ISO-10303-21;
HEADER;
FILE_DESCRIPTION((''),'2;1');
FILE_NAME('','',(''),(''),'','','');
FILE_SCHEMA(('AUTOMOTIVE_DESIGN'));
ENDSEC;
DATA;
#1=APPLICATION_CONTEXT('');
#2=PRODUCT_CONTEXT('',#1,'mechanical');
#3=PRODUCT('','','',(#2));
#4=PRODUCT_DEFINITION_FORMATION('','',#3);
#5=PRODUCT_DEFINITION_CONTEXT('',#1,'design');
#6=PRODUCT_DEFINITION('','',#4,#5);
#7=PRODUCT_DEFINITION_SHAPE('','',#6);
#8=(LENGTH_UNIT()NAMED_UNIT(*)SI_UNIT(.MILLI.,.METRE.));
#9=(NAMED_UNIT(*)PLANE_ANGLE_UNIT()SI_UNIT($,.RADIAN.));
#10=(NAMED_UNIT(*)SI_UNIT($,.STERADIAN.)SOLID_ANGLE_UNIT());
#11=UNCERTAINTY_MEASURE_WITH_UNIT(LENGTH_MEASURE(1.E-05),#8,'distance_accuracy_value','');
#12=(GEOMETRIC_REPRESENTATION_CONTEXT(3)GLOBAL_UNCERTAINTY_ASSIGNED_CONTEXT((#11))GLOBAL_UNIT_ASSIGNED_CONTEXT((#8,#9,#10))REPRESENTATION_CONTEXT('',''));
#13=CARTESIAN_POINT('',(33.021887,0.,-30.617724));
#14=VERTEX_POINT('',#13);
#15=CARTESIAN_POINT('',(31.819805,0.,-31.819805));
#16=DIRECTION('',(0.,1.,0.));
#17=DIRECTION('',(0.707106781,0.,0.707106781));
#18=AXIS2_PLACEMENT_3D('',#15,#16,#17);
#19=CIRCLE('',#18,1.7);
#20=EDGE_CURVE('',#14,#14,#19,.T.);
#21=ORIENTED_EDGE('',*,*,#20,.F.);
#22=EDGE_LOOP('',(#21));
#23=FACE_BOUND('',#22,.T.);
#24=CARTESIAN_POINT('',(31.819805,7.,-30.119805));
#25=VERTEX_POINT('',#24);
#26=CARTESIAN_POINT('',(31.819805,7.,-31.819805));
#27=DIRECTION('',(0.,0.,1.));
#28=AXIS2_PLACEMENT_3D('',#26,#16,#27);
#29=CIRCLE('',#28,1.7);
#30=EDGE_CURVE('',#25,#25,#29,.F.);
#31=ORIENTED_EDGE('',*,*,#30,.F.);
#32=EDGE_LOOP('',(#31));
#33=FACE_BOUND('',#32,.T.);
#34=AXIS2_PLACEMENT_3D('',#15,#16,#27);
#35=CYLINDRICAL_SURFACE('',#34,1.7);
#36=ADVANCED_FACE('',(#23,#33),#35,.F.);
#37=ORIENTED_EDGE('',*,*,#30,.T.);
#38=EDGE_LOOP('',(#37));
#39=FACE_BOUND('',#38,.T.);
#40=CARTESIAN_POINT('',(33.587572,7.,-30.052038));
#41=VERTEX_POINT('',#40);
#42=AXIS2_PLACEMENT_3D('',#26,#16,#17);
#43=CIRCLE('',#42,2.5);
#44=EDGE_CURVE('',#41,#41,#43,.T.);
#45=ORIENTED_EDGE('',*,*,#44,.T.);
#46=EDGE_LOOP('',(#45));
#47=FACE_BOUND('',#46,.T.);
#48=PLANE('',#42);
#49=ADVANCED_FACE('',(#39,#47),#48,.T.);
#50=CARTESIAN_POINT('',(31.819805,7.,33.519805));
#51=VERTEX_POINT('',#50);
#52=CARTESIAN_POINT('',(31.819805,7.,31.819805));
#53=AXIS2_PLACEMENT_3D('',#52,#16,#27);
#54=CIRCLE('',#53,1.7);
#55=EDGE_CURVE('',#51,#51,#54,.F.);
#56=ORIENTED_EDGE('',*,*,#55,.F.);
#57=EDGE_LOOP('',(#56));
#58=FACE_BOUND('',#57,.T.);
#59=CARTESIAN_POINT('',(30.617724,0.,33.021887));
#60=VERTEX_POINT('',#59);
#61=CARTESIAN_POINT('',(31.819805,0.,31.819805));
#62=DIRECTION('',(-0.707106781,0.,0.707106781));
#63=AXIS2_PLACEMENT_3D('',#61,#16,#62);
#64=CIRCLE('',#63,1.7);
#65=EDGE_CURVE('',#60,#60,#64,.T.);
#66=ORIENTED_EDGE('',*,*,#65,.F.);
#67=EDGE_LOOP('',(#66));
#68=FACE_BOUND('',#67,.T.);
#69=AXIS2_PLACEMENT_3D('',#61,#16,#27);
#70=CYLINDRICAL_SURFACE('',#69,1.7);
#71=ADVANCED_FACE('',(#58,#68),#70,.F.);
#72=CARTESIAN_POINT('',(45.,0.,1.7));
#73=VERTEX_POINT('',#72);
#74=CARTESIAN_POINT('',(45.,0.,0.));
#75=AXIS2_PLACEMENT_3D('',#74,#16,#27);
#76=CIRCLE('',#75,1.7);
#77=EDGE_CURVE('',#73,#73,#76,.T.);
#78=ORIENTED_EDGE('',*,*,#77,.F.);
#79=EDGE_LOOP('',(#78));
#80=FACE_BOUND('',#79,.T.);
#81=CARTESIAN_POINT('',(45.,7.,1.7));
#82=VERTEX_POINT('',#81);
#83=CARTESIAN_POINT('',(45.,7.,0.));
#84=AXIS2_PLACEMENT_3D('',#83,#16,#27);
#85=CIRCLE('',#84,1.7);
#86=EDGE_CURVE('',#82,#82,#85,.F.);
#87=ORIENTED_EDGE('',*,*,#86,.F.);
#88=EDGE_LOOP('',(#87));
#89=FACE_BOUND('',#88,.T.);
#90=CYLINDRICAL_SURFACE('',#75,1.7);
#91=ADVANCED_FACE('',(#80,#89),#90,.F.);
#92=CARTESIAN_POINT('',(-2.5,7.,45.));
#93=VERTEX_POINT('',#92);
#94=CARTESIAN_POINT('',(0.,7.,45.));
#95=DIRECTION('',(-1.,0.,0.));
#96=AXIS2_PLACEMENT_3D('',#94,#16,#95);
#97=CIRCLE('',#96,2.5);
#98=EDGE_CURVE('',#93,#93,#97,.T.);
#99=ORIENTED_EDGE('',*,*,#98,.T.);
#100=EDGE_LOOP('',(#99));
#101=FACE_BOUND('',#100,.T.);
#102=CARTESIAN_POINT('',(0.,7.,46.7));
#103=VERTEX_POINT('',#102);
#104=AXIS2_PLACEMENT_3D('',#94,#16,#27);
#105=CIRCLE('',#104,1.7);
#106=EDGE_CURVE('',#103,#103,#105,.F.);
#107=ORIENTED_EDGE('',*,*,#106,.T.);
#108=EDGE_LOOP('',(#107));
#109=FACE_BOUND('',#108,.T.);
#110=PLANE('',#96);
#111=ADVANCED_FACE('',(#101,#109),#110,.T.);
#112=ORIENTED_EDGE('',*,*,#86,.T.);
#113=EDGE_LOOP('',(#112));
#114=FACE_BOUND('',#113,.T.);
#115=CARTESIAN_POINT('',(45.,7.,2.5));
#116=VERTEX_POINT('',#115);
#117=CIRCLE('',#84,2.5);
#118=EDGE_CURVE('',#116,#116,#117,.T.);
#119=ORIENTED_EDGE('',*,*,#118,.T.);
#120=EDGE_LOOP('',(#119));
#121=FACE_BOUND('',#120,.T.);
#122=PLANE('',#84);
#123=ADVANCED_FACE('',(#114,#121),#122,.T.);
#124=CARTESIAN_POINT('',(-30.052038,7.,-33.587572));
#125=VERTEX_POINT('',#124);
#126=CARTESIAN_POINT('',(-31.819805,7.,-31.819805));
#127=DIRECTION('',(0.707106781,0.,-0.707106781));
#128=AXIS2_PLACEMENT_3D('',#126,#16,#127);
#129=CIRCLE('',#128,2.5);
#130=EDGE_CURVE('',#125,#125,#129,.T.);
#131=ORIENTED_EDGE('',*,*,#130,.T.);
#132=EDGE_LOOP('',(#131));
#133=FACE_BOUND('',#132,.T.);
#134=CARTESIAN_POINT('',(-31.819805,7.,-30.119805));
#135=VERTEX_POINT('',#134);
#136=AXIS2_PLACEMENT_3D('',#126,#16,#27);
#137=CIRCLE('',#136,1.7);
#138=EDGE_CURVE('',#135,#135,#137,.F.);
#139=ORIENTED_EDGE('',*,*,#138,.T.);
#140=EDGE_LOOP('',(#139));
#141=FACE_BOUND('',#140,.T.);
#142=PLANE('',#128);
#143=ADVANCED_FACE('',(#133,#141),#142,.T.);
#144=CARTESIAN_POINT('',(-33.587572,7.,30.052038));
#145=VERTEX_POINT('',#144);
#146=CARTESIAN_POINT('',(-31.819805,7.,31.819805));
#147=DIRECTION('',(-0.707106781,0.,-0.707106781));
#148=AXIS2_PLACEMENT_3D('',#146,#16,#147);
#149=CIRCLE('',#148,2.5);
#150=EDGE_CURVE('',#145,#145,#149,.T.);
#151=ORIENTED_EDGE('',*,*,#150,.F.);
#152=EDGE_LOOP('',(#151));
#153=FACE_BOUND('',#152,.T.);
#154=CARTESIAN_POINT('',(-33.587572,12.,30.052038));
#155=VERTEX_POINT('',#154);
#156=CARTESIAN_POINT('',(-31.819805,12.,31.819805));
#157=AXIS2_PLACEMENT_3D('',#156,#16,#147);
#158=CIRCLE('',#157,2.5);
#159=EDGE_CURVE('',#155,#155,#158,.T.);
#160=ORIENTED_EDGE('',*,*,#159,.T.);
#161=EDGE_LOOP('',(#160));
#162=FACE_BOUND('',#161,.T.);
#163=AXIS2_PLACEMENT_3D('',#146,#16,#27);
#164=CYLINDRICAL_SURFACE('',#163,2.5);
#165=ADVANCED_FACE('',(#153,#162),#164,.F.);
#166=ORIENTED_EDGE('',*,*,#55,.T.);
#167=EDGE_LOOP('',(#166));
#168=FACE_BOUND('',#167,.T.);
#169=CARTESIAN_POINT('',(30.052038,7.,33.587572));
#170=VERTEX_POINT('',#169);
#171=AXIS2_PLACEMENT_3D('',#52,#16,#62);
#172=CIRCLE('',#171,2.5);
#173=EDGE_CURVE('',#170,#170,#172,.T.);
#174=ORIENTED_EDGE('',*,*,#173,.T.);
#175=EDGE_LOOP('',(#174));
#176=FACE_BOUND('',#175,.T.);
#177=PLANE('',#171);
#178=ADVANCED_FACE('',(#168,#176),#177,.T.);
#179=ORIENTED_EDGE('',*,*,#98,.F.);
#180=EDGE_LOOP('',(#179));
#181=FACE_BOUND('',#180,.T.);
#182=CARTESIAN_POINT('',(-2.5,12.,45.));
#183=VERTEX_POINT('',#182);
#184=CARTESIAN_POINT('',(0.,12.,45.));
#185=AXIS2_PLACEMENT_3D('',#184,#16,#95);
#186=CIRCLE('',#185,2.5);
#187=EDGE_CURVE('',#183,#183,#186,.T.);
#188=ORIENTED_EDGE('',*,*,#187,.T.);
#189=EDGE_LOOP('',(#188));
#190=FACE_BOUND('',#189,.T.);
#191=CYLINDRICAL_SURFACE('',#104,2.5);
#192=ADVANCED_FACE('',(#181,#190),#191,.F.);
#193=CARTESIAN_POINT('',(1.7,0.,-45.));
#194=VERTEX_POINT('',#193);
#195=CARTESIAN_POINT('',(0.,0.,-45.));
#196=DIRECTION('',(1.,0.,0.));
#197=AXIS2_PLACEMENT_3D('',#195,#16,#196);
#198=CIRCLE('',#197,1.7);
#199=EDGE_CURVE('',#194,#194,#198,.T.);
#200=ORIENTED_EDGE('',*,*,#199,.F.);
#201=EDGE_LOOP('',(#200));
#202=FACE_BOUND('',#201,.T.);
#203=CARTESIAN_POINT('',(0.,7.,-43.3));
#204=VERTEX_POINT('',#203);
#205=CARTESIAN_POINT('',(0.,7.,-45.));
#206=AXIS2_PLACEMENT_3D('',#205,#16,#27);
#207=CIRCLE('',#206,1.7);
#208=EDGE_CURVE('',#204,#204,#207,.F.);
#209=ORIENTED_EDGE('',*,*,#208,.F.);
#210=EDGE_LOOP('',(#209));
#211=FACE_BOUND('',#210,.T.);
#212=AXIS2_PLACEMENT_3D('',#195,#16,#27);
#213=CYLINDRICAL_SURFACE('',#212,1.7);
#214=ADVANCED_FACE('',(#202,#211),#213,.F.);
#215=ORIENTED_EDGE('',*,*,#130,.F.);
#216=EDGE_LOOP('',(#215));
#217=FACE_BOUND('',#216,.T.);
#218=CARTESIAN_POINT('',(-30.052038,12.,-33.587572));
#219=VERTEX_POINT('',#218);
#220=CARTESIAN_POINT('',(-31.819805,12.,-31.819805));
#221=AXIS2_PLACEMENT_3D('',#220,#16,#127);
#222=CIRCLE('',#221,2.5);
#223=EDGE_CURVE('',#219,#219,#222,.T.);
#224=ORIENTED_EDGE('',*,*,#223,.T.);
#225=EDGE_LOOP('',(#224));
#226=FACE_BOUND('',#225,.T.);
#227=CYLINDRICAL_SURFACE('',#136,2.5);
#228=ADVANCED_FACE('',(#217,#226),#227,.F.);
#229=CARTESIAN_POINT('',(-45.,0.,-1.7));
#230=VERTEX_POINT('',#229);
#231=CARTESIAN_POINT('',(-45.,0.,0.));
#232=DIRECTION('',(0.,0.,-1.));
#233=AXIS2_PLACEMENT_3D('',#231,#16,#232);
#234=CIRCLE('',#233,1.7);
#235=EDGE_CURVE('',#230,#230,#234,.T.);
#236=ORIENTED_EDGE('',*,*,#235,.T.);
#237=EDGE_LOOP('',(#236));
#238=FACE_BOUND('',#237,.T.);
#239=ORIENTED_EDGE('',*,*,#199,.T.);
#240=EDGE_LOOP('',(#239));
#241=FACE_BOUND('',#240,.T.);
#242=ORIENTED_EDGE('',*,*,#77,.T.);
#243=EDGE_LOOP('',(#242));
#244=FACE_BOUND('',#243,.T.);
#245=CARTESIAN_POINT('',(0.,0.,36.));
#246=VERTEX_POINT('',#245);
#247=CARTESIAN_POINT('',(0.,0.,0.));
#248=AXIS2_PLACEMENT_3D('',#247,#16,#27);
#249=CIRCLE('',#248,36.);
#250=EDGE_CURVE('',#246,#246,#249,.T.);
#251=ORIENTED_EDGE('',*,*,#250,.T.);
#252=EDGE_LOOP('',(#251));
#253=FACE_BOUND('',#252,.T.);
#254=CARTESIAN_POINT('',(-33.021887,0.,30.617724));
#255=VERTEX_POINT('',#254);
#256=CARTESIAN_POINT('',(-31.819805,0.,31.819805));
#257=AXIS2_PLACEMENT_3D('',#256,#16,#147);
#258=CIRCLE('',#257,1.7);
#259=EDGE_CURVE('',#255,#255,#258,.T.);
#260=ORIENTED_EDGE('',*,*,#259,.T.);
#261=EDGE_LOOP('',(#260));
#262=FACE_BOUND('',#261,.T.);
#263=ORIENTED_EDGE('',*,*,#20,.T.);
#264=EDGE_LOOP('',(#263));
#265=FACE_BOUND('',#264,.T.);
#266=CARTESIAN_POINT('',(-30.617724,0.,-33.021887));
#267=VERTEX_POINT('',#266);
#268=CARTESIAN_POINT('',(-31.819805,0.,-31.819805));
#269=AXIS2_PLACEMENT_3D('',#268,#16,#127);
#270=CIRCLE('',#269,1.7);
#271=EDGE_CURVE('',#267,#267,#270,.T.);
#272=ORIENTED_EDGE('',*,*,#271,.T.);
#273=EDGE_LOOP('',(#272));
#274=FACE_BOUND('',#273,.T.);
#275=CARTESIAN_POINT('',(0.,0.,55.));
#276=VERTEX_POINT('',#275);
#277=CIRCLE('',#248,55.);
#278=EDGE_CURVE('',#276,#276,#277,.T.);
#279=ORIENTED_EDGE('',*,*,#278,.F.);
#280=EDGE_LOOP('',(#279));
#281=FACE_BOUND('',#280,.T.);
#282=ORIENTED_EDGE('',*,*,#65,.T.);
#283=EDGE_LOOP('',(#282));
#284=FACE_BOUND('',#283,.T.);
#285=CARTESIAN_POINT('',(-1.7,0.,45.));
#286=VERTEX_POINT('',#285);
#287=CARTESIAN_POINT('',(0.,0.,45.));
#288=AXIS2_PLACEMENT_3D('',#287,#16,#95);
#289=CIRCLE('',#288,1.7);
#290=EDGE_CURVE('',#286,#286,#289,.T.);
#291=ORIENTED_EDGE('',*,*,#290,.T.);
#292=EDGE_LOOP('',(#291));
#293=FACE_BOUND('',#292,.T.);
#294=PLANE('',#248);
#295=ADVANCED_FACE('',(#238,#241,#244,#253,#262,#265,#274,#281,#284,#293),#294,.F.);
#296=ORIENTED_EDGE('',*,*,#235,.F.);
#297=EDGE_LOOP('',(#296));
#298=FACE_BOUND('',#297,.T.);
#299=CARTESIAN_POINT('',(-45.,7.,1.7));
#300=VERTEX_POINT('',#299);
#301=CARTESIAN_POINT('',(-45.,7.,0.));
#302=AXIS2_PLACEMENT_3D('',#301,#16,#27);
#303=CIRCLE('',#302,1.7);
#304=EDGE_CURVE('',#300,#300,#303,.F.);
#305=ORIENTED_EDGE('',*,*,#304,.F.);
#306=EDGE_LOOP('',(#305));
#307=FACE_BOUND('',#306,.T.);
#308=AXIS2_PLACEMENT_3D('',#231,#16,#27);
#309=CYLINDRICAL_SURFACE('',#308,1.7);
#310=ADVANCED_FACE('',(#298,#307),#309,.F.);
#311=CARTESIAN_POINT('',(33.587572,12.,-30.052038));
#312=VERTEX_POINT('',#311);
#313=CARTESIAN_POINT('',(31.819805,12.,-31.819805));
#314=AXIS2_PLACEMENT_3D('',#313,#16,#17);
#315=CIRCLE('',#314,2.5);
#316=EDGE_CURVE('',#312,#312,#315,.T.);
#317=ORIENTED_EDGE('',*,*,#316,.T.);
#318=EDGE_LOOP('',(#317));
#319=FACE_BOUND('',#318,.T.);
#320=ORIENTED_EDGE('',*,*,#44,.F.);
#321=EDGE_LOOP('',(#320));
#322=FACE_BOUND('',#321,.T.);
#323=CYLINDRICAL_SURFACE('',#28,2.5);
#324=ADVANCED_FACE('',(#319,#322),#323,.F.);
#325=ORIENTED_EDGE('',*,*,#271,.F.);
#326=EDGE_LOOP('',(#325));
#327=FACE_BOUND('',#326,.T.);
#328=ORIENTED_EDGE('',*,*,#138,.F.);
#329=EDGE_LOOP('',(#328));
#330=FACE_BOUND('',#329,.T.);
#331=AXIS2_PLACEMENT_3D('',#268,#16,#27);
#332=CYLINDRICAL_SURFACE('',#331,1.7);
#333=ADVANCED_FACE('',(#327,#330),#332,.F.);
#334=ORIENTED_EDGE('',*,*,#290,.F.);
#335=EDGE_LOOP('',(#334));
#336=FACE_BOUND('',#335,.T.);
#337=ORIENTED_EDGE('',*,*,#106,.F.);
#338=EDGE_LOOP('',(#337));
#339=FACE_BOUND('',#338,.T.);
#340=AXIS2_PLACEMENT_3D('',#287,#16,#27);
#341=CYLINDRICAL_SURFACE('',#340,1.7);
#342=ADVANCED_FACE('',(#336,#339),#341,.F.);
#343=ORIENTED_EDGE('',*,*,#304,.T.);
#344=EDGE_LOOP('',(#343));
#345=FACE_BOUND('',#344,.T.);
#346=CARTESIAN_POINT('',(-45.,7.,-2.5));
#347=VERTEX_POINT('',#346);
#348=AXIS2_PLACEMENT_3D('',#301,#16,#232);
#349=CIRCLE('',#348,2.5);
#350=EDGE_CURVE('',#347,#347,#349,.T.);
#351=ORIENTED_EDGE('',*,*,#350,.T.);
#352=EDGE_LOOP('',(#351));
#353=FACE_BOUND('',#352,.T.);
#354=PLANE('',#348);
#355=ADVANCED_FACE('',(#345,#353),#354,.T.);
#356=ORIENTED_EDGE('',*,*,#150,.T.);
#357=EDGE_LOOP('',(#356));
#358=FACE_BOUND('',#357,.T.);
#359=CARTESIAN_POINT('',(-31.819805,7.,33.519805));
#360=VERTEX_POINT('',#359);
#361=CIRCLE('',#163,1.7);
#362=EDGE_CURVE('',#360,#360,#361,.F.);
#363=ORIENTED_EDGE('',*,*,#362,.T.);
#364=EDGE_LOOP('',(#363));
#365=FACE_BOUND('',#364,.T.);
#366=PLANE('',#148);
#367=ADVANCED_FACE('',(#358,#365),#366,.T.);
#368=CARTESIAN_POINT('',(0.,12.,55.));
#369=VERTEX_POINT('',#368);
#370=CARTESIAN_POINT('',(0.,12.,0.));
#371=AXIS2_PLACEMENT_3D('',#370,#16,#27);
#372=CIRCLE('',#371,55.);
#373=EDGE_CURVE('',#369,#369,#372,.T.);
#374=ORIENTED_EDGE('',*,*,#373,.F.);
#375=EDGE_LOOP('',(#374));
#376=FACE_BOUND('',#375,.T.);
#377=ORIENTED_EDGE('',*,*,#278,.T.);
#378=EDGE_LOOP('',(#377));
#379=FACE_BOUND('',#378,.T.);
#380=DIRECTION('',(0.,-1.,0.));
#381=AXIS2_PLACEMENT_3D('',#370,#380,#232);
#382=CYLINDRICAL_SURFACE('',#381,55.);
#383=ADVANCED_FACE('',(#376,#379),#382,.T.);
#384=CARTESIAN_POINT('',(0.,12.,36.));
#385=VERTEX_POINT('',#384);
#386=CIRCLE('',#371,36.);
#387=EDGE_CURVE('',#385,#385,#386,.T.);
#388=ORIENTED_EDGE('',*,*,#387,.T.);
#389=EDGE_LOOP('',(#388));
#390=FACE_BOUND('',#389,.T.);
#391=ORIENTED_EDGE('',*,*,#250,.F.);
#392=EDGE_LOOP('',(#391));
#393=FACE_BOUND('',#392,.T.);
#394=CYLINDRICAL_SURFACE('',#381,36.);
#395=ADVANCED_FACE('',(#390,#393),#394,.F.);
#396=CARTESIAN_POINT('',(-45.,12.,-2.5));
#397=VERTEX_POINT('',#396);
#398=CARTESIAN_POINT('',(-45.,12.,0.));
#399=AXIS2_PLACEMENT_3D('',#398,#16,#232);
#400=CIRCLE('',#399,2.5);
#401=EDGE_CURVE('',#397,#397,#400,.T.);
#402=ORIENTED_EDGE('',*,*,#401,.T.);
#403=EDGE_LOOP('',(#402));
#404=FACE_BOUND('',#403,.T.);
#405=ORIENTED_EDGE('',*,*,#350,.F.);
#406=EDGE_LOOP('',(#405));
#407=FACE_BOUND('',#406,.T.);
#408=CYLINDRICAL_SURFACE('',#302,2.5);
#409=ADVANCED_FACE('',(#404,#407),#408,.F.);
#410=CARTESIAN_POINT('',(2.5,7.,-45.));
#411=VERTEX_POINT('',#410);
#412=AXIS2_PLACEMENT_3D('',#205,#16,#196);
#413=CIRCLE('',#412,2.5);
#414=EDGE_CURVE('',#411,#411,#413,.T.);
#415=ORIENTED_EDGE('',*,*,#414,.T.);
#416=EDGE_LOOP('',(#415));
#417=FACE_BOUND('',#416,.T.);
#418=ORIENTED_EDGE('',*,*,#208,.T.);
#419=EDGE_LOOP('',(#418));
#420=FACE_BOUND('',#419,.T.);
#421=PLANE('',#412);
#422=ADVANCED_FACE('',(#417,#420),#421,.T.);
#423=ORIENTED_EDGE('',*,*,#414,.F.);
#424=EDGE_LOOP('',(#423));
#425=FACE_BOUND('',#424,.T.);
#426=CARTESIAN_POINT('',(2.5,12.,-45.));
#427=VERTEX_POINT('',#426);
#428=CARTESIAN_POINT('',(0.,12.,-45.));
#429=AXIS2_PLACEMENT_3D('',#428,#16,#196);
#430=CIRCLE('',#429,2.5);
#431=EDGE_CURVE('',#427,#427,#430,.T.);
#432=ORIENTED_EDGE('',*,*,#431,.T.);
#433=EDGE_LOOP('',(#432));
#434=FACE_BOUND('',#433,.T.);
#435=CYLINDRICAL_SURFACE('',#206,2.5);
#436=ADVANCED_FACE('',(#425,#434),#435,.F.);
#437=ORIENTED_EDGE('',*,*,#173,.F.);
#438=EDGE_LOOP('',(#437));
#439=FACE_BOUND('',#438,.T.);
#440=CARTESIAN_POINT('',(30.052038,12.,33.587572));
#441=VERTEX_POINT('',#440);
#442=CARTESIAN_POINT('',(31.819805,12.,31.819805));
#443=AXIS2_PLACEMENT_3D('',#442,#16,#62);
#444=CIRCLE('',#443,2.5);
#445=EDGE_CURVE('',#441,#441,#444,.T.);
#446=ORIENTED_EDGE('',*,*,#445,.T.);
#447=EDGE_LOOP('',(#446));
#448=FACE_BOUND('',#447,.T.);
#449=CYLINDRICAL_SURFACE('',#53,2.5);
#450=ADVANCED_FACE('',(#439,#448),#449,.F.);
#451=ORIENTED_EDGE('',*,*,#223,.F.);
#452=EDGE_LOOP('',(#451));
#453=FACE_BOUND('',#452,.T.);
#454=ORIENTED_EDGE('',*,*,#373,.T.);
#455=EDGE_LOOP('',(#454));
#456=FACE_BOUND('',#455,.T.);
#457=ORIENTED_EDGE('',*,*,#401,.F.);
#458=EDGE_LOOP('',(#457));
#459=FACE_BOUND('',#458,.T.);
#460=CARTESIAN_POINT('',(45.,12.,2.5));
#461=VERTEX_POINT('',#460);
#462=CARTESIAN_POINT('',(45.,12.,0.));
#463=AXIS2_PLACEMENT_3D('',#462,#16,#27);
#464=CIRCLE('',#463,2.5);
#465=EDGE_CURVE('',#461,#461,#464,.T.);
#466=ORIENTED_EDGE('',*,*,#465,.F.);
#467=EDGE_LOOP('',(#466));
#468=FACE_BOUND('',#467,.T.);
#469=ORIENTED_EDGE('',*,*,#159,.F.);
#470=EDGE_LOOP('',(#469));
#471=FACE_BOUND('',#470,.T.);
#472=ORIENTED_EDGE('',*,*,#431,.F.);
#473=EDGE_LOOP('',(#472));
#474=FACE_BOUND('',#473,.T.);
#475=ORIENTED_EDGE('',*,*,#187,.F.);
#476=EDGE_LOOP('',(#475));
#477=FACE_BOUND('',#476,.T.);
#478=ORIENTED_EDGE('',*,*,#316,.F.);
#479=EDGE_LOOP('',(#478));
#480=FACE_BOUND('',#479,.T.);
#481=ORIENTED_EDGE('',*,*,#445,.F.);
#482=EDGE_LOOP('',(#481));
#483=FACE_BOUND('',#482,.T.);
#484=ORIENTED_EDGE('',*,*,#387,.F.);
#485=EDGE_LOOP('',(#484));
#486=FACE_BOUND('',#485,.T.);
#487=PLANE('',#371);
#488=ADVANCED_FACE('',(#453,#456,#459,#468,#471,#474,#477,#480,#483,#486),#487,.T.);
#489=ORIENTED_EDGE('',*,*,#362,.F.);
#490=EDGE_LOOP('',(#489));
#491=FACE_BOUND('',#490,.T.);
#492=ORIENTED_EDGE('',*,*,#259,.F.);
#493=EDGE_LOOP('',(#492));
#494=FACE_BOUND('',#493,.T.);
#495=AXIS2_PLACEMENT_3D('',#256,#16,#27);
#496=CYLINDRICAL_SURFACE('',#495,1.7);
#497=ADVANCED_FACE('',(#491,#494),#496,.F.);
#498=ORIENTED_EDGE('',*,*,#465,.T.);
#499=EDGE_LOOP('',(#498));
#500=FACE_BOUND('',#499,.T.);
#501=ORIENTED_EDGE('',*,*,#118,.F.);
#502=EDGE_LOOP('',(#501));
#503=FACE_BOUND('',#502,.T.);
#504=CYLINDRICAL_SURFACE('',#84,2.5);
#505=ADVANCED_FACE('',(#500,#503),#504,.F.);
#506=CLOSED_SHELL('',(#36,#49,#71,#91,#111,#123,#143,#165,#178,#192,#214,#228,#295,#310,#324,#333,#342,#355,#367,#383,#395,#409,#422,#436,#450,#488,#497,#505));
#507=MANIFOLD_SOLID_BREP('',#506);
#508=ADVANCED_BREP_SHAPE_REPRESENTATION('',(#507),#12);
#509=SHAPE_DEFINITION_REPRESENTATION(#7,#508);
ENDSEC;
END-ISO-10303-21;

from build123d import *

# Parameters (mm, degrees)
SKETCH1_R           = 55
SKETCH1_R_2         = 36
BOSS_EXTRUDE1_DEPTH = 12
SKETCH2_R           = 1.7
CUT_EXTRUDE1_DEPTH  = 79.70196948
SKETCH3_R           = 2.5
CUT_EXTRUDE2_DEPTH  = 5
CIRPATTERN1_COUNT   = 8


with BuildPart() as part:
    # Sketch1 → Boss-Extrude1 (new body)
    with BuildSketch(Plane(origin=(0, 0, 0), x_dir=(1, 0, 0), z_dir=(0, 1, 0))):
        with Locations(Location((0, 0, 0), (0, 0, 270))):
            Circle(SKETCH1_R)
        with Locations(Location((0, 0, 0), (0, 0, 270))):
            Circle(SKETCH1_R_2, mode=Mode.SUBTRACT)
    extrude(amount=BOSS_EXTRUDE1_DEPTH)

    # Sketch2 → Cut-Extrude1 (cut, symmetric)
    with BuildSketch(Plane(origin=(0, 12, 0), x_dir=(1, 0, 0), z_dir=(0, 1, 0))):
        with Locations(Location((45, 0, 0), (0, 0, 270))):
            Circle(SKETCH2_R)
    cut_extrude1 = extrude(amount=CUT_EXTRUDE1_DEPTH, both=True, mode=Mode.SUBTRACT)

    # Sketch3 → Cut-Extrude2 (cut)
    with BuildSketch(Plane(origin=(0, 12, 0), x_dir=(1, 0, 0), z_dir=(0, 1, 0))):
        with Locations(Location((45, 0, 0), (0, 0, 270))):
            Circle(SKETCH3_R)
    cut_extrude2 = extrude(amount=-CUT_EXTRUDE2_DEPTH, mode=Mode.SUBTRACT)

    # CirPattern1: Cut-Extrude1, Cut-Extrude2 ×8 about axis
    cirpattern1_axis = Axis((0, 0, 0), (0, 1, 0))
    add([cut_extrude1.rotate(cirpattern1_axis, i * 360 / CIRPATTERN1_COUNT) for i in range(1, CIRPATTERN1_COUNT)], mode=Mode.SUBTRACT)
    add([cut_extrude2.rotate(cirpattern1_axis, i * 360 / CIRPATTERN1_COUNT) for i in range(1, CIRPATTERN1_COUNT)], mode=Mode.SUBTRACT)


solid = part.part
